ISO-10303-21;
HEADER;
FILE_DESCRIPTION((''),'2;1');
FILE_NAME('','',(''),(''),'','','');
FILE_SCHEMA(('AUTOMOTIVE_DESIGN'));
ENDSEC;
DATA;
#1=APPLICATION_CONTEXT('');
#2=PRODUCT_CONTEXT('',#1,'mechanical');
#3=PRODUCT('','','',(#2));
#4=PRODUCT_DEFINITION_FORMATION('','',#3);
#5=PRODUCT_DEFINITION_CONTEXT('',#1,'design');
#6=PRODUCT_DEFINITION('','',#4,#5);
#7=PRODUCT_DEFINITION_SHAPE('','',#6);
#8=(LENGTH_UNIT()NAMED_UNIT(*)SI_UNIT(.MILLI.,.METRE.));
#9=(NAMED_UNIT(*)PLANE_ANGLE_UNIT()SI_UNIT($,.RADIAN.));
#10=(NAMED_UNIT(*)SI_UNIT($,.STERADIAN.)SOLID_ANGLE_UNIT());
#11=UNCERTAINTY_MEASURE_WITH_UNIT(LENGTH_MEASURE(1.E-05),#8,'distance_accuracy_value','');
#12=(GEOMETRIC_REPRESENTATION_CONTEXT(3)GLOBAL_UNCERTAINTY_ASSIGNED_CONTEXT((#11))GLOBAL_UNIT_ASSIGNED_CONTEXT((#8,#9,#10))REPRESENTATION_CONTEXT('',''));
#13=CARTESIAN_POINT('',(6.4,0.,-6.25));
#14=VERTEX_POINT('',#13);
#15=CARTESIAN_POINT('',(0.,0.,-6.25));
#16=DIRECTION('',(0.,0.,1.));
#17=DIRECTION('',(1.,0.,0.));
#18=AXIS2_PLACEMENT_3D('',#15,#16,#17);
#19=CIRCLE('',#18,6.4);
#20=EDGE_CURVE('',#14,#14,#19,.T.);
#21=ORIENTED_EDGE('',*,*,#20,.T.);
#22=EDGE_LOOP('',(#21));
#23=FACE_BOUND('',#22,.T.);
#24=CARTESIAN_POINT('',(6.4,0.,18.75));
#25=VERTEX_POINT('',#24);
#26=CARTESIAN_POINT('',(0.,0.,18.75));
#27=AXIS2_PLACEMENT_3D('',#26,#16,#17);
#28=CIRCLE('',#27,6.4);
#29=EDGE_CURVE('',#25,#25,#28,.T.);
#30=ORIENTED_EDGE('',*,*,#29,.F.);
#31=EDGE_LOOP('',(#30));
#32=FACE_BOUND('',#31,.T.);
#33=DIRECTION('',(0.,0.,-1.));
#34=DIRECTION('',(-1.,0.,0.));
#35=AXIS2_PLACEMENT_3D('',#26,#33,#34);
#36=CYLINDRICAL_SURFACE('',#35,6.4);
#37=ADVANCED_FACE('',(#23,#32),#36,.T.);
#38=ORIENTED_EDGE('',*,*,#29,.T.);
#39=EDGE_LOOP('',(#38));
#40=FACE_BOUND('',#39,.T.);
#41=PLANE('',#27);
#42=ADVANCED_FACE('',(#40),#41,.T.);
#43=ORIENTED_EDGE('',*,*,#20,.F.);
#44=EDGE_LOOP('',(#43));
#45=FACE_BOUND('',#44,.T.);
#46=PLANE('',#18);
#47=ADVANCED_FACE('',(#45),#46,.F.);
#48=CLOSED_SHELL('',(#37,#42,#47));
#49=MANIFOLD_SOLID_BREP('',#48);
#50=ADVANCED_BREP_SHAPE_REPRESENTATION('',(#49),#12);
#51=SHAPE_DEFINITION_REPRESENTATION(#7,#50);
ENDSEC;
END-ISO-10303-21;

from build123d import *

# Parameters (mm, degrees)
SKETCH1_R           = 3.2
BOSS_EXTRUDE1_DEPTH = 12.5
SCALE_1_SCALE       = 2


with BuildPart() as part:
    # Sketch1 → Boss-Extrude1 (new body)
    with BuildSketch(Plane.XY):
        Circle(SKETCH1_R)
    extrude(amount=BOSS_EXTRUDE1_DEPTH)


with BuildPart() as part_1:
    # 缩放比例1: scaled about (0, 0, 6.25)
    add(part.part.scale(SCALE_1_SCALE).moved(Location((0, 0, -6.25))))


solid = part_1.part
